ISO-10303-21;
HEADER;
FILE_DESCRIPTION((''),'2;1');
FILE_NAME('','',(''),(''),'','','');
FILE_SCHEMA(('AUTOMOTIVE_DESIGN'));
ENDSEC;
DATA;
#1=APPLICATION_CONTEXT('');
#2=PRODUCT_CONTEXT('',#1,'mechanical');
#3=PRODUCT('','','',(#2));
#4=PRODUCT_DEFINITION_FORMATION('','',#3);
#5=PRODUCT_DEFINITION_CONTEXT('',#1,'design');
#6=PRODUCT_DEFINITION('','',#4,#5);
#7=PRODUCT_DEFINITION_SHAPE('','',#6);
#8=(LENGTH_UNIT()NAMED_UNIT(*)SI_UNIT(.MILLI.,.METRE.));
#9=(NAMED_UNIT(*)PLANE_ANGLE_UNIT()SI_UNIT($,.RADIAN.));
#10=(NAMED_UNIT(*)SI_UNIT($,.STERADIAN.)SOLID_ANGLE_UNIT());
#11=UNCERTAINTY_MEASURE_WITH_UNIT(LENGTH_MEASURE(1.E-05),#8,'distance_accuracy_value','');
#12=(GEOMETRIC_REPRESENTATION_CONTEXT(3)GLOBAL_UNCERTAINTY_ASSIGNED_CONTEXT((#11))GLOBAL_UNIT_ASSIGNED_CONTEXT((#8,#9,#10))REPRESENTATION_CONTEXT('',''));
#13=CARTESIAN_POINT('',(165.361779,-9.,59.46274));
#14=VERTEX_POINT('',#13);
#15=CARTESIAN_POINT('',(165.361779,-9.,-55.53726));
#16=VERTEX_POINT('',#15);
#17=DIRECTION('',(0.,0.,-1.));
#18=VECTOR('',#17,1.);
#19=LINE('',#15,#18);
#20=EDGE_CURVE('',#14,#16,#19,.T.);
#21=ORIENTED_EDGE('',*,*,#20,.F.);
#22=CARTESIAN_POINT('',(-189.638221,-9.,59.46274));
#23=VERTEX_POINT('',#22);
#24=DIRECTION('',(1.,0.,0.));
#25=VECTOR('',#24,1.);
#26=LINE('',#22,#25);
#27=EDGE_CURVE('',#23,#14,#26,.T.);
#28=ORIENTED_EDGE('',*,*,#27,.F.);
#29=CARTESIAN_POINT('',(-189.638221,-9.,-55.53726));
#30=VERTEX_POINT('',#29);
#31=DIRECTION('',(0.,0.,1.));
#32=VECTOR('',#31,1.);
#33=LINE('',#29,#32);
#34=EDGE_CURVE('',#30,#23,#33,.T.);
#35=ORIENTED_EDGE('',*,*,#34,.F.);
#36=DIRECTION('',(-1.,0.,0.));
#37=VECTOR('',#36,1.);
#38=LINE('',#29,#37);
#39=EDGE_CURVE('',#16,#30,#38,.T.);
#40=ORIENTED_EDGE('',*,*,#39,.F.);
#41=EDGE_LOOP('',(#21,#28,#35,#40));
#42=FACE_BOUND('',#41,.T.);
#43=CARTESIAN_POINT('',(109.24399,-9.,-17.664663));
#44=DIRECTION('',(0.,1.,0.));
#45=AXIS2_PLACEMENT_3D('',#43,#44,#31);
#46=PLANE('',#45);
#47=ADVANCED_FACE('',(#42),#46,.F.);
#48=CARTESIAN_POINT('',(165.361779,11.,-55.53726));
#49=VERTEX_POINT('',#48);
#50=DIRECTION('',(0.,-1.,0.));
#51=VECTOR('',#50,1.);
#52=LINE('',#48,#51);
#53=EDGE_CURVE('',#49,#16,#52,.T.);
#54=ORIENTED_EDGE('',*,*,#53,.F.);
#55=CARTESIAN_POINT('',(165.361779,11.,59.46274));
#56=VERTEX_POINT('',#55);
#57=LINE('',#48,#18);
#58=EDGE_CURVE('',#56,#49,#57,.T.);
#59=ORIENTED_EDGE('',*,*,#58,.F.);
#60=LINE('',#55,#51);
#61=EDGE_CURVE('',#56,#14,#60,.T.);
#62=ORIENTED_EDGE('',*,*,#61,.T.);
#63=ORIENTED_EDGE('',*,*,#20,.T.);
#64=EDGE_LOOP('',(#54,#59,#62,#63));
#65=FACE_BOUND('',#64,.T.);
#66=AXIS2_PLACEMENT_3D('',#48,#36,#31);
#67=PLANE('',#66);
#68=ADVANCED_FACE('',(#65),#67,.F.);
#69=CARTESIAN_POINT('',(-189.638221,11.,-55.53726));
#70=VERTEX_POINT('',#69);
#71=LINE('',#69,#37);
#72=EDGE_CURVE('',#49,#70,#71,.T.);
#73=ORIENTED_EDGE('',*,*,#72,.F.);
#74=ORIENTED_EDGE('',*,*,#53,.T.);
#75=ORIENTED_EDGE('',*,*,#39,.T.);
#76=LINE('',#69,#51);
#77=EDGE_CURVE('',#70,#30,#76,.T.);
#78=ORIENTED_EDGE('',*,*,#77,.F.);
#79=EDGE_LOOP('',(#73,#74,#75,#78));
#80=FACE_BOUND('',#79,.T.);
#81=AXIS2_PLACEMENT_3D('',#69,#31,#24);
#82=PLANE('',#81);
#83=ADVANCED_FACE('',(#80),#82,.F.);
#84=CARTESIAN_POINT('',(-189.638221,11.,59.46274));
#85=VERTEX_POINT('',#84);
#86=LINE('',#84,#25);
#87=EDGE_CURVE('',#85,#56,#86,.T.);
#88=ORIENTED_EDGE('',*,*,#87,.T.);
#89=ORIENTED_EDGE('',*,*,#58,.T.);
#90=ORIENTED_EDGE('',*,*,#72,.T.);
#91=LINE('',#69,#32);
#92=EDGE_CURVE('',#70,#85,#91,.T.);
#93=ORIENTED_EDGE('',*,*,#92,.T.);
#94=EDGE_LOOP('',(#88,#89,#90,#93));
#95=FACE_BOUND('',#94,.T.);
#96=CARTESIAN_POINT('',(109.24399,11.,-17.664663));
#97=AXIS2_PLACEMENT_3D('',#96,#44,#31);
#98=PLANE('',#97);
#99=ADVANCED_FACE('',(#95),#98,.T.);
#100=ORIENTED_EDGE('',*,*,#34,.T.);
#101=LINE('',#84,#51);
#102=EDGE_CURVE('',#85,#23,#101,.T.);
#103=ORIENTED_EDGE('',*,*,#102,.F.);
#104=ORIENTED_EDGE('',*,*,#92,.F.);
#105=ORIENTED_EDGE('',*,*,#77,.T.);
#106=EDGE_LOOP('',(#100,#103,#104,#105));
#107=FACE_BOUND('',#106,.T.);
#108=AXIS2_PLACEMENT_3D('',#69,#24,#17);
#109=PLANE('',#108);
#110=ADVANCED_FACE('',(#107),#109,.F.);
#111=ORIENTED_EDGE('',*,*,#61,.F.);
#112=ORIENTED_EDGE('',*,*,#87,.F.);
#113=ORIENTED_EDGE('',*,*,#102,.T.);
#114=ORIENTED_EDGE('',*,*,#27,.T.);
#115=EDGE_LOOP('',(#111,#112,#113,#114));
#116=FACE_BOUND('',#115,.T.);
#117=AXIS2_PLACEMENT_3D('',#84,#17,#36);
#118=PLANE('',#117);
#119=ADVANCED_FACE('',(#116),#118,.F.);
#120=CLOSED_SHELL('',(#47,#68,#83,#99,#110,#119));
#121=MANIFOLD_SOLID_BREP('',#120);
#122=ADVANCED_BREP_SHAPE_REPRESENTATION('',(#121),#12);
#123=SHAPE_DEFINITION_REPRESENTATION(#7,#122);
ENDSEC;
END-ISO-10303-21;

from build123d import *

# Parameters (mm, degrees)
SKETCH1_W           = 35.5
SKETCH1_H           = 11.5
BOSS_EXTRUDE1_DEPTH = 2
SCALE1_SCALE        = 10


with BuildPart() as part:
    # Sketch1 → Boss-Extrude1 (new body)
    with BuildSketch(Plane(origin=(0, 0, 0), x_dir=(1, 0, 0), z_dir=(0, 1, 0))):
        with Locations((-12.138221154, -1.962740385)):
            Rectangle(SKETCH1_W, SKETCH1_H)
    extrude(amount=BOSS_EXTRUDE1_DEPTH)


with BuildPart() as part_1:
    # Scale1: scaled about (-12.138221154, 1, 1.962740385)
    add(part.part.scale(SCALE1_SCALE).moved(Location((109.243990386, -9, -17.664663465))))


solid = part_1.part
